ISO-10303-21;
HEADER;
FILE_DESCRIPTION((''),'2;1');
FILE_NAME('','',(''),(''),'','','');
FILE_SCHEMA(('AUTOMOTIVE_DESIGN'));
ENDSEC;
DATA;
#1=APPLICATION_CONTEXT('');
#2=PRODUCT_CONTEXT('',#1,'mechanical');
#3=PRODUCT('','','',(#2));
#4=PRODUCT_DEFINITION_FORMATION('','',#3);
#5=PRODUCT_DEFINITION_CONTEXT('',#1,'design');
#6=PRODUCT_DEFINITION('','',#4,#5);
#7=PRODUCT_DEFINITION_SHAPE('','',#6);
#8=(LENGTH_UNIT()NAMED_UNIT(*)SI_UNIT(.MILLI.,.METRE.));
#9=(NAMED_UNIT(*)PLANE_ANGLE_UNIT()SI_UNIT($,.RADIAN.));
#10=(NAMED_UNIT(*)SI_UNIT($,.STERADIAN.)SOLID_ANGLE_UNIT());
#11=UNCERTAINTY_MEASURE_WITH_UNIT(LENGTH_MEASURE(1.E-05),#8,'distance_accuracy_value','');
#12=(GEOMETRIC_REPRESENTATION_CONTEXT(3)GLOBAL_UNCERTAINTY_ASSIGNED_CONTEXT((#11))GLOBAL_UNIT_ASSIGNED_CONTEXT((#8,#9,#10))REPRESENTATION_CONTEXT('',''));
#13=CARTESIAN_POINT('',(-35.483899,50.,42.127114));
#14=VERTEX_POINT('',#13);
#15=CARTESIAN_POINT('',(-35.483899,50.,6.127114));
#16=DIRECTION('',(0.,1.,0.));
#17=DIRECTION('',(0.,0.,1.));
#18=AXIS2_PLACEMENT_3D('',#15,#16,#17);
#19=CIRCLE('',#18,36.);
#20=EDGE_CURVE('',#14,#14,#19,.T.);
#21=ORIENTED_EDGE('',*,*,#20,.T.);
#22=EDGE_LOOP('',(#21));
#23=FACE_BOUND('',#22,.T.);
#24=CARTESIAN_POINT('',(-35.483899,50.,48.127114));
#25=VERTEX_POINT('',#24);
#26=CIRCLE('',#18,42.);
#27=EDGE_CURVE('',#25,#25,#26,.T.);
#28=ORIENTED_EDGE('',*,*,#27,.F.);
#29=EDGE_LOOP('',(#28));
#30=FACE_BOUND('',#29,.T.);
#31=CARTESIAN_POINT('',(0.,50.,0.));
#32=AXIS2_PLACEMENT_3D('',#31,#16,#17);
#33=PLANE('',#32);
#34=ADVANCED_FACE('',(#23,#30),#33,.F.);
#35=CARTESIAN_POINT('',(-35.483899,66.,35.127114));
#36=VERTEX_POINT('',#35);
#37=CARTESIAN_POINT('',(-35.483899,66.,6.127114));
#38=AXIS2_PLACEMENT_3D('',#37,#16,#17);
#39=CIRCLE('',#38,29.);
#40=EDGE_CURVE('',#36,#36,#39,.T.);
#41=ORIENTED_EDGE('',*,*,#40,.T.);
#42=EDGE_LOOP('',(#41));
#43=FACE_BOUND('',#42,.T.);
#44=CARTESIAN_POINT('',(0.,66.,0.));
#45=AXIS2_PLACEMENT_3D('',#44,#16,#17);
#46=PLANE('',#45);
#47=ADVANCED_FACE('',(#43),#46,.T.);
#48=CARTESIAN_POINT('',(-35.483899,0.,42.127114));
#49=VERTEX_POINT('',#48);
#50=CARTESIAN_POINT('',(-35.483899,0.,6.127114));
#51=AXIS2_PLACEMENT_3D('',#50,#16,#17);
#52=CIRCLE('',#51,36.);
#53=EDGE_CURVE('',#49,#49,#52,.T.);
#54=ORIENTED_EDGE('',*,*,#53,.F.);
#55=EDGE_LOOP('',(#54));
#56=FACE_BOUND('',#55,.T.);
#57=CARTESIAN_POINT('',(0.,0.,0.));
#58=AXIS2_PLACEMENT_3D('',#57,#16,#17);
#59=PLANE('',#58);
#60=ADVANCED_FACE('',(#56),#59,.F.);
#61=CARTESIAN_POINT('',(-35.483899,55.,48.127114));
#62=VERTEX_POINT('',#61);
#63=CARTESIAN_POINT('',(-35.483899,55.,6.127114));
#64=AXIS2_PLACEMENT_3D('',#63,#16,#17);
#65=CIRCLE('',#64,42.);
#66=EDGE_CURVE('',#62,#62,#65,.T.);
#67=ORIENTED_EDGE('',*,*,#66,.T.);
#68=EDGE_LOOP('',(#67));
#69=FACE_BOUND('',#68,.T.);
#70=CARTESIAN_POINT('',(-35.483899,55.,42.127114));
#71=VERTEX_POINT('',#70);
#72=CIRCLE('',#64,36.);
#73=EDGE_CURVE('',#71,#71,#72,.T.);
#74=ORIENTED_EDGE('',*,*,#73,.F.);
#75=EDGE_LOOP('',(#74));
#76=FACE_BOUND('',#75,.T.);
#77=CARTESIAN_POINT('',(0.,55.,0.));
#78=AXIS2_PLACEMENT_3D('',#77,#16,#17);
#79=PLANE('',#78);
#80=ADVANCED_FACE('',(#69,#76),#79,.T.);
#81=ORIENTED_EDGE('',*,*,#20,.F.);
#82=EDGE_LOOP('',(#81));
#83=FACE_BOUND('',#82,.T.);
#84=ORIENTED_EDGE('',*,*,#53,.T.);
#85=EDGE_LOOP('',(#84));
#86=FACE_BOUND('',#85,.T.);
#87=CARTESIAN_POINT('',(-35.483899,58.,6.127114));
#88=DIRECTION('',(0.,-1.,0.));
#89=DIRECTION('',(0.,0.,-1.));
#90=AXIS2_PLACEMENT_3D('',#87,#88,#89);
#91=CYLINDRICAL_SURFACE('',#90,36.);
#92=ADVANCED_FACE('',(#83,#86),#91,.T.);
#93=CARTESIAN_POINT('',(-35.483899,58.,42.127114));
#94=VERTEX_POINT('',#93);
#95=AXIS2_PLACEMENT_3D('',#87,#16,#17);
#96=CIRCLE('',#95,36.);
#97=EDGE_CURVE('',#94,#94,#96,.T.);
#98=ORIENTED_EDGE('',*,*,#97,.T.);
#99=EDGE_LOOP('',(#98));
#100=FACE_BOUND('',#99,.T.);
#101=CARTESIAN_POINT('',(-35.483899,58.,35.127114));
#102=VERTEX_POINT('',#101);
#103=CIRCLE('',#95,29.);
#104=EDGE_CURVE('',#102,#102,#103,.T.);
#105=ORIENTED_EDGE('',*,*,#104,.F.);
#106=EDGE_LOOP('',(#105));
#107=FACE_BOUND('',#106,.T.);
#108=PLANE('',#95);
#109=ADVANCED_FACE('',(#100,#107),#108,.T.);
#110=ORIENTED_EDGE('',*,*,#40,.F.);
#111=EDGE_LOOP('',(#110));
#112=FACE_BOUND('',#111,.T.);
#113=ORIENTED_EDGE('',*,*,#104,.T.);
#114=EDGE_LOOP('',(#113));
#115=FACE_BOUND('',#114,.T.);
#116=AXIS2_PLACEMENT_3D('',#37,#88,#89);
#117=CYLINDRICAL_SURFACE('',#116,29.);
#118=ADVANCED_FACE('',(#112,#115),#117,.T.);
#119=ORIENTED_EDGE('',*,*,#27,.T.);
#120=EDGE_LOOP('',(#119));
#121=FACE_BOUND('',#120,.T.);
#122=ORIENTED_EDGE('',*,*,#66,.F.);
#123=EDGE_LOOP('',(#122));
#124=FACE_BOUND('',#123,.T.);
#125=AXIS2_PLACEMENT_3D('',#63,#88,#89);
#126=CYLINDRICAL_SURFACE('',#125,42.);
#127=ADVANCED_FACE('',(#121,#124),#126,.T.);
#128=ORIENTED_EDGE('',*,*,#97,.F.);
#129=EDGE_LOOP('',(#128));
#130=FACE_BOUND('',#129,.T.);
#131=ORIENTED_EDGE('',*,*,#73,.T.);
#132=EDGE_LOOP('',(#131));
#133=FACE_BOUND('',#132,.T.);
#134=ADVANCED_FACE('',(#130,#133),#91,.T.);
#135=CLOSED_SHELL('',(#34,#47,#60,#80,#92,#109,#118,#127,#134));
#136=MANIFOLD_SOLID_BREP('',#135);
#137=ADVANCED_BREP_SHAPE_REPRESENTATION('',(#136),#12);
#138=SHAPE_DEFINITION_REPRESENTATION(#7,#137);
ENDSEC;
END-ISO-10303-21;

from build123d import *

# Parameters (mm, degrees)
SKETCH_2_R      = 29
EXTRUDE_1_DEPTH = 66
SKETCH_2_3_R    = 36
EXTRUDE_2_DEPTH = 58
EXTRUDE_START   = 50
SKETCH_2_4_R    = 42
SKETCH_2_4_R_2  = 36
EXTRUDE_3_DEPTH = 5


with BuildPart() as part:
    # 草图2 → 凸台-拉伸1 (new body)
    with BuildSketch(Plane(origin=(0, 0, 0), x_dir=(1, 0, 0), z_dir=(0, 1, 0))):
        with Locations((-35.483898972, -6.127114057)):
            Circle(SKETCH_2_R)
    extrude(amount=EXTRUDE_1_DEPTH)

    # 草图2<3> → 凸台-拉伸2 (add)
    with BuildSketch(Plane(origin=(0, 0, 0), x_dir=(1, 0, 0), z_dir=(0, 1, 0))):
        with Locations((-35.483898972, -6.127114057)):
            Circle(SKETCH_2_3_R)
    extrude(amount=EXTRUDE_2_DEPTH)

    # 草图2<4> → 凸台-拉伸3 (add)
    with BuildSketch(Plane(origin=(0, 0, 0), x_dir=(1, 0, 0), z_dir=(0, 1, 0)).offset(EXTRUDE_START)):
        with Locations((-35.483898972, -6.127114057)):
            Circle(SKETCH_2_4_R)
        with Locations((-35.483898972, -6.127114057)):
            Circle(SKETCH_2_4_R_2, mode=Mode.SUBTRACT)
    extrude(amount=EXTRUDE_3_DEPTH)


solid = part.part
